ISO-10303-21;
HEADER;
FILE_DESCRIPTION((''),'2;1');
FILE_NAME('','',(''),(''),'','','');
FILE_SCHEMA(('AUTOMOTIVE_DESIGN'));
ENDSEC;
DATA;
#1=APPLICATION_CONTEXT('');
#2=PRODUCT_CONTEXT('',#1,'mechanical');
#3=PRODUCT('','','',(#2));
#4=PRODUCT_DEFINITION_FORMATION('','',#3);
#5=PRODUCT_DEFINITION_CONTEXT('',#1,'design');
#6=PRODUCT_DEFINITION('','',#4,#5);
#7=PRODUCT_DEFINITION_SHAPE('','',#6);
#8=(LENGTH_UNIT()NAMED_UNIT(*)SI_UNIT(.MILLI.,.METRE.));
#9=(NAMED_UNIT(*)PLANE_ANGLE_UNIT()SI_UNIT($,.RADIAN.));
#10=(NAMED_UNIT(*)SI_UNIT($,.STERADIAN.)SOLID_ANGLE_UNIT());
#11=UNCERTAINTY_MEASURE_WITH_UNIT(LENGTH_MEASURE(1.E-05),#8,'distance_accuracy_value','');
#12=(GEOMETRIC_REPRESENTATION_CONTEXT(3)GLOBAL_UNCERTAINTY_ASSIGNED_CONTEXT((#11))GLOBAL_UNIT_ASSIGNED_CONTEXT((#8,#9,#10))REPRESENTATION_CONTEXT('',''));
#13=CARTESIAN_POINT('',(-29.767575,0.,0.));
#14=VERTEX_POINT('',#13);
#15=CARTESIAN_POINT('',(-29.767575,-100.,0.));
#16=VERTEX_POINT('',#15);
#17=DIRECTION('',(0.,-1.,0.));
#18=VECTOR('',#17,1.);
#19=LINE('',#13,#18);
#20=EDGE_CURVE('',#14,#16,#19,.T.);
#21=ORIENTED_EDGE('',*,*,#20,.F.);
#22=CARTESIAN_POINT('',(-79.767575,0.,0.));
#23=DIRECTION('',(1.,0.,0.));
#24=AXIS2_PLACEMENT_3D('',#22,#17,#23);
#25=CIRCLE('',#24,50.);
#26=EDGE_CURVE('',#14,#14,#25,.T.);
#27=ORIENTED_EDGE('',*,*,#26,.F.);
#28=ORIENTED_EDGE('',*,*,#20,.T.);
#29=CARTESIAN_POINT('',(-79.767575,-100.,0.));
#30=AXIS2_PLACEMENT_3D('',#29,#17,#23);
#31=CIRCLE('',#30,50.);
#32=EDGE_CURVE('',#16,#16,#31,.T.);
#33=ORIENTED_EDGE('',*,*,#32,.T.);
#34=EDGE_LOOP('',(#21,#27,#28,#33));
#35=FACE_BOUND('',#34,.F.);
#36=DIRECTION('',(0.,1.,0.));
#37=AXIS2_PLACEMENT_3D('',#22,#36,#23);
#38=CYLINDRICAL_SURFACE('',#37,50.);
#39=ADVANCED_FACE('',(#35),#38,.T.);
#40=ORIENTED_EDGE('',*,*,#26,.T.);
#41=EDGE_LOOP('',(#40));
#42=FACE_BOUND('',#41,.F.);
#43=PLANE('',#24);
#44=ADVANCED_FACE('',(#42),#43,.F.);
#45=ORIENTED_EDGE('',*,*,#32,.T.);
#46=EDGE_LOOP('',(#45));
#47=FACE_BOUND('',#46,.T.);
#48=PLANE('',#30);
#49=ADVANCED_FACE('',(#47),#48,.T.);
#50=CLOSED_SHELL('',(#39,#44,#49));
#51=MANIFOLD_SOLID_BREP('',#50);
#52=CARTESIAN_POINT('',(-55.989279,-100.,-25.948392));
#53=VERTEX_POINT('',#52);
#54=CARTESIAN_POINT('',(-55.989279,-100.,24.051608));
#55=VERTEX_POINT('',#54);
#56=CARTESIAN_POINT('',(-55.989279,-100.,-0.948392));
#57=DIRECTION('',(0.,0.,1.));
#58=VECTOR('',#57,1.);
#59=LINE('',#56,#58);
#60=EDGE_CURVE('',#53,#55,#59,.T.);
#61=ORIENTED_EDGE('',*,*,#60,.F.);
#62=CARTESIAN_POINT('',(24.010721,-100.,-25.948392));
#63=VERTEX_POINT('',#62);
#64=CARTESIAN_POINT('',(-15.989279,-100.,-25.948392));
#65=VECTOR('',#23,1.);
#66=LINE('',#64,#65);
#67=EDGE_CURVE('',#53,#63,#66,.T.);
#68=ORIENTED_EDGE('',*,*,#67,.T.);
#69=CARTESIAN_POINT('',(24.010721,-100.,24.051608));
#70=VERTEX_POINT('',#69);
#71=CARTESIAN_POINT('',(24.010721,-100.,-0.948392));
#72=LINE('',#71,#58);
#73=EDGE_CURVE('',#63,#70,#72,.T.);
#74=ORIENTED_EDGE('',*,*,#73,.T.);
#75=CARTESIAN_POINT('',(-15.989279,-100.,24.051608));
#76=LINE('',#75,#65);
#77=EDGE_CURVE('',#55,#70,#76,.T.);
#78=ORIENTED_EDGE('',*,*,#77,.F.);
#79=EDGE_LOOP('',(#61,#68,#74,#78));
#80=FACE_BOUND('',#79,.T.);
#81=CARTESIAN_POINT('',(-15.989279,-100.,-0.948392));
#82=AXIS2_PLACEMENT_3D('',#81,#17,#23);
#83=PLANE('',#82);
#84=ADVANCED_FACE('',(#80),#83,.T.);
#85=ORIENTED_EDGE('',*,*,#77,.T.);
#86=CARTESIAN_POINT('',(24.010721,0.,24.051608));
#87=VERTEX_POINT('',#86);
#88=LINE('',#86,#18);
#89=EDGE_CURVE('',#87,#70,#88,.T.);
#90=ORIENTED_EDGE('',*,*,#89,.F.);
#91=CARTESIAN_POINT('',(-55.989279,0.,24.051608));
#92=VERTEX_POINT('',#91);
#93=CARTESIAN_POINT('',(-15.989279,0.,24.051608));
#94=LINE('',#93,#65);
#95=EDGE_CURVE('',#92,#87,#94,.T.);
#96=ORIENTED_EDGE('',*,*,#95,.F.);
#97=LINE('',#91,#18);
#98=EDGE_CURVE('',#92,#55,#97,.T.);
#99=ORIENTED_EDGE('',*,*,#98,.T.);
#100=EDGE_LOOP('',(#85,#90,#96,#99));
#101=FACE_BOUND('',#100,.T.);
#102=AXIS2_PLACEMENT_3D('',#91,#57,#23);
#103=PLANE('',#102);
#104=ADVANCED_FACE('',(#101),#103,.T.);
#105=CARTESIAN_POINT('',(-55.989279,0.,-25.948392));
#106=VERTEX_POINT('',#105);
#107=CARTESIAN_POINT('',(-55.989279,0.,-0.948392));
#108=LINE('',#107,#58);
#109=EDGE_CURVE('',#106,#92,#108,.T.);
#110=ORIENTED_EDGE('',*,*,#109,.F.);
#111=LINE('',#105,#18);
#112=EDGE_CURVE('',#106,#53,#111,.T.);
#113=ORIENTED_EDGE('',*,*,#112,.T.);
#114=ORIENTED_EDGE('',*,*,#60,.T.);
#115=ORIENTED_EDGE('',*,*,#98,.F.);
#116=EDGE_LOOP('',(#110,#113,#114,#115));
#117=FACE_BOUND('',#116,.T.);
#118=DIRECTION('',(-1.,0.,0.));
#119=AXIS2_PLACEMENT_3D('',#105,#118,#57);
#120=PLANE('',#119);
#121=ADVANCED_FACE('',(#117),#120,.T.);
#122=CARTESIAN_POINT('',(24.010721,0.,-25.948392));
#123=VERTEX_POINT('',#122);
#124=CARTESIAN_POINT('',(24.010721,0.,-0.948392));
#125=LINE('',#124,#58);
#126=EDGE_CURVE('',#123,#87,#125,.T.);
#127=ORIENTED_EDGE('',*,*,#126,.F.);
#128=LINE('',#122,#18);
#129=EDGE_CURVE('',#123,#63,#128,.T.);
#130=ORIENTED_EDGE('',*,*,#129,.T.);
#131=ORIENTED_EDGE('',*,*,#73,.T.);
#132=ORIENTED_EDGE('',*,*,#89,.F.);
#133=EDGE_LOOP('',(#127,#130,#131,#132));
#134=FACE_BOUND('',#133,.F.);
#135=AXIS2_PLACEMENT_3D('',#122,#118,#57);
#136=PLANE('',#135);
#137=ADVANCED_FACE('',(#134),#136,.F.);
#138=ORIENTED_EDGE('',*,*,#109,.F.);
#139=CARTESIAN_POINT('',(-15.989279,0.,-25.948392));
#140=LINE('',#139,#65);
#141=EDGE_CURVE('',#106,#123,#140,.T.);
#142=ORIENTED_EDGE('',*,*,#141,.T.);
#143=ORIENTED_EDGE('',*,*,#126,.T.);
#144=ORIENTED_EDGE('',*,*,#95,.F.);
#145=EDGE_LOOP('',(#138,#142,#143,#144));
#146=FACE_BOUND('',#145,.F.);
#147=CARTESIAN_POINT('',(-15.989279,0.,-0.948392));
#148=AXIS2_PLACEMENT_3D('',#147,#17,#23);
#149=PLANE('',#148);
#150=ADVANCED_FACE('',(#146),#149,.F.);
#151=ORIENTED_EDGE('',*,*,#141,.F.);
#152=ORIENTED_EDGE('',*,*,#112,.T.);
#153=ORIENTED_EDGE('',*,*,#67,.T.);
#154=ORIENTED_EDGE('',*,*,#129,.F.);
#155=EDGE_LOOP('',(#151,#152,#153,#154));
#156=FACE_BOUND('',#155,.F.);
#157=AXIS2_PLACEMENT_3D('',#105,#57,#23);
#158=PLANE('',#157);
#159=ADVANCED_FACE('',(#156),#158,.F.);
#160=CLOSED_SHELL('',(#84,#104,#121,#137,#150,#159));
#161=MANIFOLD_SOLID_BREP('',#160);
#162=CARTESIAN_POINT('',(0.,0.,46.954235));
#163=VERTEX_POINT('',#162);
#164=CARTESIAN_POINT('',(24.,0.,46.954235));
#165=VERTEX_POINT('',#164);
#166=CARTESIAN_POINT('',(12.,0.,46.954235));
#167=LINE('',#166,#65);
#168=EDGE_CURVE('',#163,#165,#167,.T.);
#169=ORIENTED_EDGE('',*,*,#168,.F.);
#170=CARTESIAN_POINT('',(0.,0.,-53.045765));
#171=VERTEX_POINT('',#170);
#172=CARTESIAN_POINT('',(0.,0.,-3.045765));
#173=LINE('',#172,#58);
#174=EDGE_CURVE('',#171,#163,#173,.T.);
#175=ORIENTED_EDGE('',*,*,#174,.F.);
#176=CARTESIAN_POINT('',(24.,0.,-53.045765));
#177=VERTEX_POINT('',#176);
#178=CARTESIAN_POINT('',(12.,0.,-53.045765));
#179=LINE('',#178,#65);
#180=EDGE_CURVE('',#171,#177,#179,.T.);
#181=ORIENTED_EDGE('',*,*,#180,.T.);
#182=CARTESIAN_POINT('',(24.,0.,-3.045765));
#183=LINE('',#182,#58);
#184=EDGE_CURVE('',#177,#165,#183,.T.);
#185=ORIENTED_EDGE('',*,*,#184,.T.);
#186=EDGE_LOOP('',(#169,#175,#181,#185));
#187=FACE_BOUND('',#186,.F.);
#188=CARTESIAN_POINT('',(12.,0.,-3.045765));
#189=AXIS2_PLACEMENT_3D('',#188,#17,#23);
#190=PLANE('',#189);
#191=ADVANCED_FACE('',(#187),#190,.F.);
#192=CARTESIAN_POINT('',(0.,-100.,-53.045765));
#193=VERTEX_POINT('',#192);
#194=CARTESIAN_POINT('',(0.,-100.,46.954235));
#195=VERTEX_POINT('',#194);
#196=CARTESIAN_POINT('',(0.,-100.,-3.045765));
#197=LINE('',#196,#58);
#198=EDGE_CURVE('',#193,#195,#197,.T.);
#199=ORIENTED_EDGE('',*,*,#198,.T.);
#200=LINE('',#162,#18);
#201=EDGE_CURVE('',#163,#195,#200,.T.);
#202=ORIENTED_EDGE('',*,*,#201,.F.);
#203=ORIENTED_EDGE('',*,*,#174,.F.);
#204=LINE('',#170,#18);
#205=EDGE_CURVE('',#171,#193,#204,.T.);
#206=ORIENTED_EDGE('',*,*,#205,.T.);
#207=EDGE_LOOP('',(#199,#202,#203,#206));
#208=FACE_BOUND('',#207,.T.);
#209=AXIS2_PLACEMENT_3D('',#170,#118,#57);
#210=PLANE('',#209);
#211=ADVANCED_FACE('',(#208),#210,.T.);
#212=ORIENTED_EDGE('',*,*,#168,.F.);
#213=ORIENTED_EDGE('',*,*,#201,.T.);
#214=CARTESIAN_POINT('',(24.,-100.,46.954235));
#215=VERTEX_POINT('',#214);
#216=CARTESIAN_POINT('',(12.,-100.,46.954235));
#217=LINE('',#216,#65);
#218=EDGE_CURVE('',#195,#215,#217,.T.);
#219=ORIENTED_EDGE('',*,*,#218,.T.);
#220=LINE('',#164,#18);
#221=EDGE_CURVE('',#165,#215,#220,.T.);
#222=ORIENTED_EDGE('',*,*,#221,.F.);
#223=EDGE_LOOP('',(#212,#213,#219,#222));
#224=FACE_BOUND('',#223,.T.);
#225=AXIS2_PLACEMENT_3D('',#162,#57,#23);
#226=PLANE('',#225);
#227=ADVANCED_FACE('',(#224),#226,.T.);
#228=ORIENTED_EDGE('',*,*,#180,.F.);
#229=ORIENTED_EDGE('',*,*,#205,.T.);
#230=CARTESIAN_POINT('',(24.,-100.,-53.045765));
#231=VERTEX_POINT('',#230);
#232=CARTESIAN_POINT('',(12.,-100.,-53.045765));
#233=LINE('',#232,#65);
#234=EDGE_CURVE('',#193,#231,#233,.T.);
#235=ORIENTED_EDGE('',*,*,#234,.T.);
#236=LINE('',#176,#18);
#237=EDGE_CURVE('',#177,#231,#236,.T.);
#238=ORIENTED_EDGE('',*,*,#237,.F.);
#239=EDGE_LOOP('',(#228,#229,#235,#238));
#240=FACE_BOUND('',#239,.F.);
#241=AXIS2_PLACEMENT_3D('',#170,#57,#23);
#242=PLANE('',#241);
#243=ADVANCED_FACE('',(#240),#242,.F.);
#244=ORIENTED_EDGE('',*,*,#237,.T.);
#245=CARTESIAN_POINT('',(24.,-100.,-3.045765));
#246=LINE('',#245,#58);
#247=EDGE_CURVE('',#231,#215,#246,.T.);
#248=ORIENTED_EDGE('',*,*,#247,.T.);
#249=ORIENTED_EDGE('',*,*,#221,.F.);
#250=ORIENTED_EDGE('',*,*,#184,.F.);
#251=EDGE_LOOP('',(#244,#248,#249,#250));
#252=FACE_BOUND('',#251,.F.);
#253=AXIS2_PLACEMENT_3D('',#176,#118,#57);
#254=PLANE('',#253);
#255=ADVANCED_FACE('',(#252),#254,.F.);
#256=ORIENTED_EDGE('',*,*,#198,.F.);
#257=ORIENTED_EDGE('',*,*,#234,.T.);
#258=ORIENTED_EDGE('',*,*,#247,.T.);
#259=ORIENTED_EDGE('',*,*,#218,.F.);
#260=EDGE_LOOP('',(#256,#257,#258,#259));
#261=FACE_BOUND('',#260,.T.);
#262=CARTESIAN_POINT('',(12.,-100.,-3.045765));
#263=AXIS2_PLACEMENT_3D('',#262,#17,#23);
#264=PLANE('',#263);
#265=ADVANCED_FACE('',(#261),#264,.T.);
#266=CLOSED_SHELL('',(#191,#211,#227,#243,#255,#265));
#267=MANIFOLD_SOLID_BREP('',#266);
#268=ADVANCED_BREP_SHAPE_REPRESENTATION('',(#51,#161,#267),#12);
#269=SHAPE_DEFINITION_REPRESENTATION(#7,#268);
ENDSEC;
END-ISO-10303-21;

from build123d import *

# Parameters (mm, degrees)
F2_W     = 24
F2_H     = 100
F3_DEPTH = 100
F1_W     = 80
F1_H     = 50
F0_R     = 50


with BuildPart() as f3:
    # F2 (on Front) → F3 (new body)
    with BuildSketch(Plane.XZ):
        with Locations((12, -3.0457645655)):
            Rectangle(F2_W, F2_H)
    extrude(amount=F3_DEPTH)


with BuildPart() as f3b:
    # F1 (on Front) → F3, piece 2 (new body)
    with BuildSketch(Plane.XZ):
        with Locations((-15.9892786234, -0.9483918548)):
            Rectangle(F1_W, F1_H)
    extrude(amount=F3_DEPTH)


with BuildPart() as f3c:
    # F0 (on Front) → F3, piece 3 (new body)
    with BuildSketch(Plane.XZ):
        with Locations((-79.7675750193, 0)):
            Circle(F0_R)
    extrude(amount=F3_DEPTH)


solid = Compound([f3.part, f3b.part, f3c.part])
